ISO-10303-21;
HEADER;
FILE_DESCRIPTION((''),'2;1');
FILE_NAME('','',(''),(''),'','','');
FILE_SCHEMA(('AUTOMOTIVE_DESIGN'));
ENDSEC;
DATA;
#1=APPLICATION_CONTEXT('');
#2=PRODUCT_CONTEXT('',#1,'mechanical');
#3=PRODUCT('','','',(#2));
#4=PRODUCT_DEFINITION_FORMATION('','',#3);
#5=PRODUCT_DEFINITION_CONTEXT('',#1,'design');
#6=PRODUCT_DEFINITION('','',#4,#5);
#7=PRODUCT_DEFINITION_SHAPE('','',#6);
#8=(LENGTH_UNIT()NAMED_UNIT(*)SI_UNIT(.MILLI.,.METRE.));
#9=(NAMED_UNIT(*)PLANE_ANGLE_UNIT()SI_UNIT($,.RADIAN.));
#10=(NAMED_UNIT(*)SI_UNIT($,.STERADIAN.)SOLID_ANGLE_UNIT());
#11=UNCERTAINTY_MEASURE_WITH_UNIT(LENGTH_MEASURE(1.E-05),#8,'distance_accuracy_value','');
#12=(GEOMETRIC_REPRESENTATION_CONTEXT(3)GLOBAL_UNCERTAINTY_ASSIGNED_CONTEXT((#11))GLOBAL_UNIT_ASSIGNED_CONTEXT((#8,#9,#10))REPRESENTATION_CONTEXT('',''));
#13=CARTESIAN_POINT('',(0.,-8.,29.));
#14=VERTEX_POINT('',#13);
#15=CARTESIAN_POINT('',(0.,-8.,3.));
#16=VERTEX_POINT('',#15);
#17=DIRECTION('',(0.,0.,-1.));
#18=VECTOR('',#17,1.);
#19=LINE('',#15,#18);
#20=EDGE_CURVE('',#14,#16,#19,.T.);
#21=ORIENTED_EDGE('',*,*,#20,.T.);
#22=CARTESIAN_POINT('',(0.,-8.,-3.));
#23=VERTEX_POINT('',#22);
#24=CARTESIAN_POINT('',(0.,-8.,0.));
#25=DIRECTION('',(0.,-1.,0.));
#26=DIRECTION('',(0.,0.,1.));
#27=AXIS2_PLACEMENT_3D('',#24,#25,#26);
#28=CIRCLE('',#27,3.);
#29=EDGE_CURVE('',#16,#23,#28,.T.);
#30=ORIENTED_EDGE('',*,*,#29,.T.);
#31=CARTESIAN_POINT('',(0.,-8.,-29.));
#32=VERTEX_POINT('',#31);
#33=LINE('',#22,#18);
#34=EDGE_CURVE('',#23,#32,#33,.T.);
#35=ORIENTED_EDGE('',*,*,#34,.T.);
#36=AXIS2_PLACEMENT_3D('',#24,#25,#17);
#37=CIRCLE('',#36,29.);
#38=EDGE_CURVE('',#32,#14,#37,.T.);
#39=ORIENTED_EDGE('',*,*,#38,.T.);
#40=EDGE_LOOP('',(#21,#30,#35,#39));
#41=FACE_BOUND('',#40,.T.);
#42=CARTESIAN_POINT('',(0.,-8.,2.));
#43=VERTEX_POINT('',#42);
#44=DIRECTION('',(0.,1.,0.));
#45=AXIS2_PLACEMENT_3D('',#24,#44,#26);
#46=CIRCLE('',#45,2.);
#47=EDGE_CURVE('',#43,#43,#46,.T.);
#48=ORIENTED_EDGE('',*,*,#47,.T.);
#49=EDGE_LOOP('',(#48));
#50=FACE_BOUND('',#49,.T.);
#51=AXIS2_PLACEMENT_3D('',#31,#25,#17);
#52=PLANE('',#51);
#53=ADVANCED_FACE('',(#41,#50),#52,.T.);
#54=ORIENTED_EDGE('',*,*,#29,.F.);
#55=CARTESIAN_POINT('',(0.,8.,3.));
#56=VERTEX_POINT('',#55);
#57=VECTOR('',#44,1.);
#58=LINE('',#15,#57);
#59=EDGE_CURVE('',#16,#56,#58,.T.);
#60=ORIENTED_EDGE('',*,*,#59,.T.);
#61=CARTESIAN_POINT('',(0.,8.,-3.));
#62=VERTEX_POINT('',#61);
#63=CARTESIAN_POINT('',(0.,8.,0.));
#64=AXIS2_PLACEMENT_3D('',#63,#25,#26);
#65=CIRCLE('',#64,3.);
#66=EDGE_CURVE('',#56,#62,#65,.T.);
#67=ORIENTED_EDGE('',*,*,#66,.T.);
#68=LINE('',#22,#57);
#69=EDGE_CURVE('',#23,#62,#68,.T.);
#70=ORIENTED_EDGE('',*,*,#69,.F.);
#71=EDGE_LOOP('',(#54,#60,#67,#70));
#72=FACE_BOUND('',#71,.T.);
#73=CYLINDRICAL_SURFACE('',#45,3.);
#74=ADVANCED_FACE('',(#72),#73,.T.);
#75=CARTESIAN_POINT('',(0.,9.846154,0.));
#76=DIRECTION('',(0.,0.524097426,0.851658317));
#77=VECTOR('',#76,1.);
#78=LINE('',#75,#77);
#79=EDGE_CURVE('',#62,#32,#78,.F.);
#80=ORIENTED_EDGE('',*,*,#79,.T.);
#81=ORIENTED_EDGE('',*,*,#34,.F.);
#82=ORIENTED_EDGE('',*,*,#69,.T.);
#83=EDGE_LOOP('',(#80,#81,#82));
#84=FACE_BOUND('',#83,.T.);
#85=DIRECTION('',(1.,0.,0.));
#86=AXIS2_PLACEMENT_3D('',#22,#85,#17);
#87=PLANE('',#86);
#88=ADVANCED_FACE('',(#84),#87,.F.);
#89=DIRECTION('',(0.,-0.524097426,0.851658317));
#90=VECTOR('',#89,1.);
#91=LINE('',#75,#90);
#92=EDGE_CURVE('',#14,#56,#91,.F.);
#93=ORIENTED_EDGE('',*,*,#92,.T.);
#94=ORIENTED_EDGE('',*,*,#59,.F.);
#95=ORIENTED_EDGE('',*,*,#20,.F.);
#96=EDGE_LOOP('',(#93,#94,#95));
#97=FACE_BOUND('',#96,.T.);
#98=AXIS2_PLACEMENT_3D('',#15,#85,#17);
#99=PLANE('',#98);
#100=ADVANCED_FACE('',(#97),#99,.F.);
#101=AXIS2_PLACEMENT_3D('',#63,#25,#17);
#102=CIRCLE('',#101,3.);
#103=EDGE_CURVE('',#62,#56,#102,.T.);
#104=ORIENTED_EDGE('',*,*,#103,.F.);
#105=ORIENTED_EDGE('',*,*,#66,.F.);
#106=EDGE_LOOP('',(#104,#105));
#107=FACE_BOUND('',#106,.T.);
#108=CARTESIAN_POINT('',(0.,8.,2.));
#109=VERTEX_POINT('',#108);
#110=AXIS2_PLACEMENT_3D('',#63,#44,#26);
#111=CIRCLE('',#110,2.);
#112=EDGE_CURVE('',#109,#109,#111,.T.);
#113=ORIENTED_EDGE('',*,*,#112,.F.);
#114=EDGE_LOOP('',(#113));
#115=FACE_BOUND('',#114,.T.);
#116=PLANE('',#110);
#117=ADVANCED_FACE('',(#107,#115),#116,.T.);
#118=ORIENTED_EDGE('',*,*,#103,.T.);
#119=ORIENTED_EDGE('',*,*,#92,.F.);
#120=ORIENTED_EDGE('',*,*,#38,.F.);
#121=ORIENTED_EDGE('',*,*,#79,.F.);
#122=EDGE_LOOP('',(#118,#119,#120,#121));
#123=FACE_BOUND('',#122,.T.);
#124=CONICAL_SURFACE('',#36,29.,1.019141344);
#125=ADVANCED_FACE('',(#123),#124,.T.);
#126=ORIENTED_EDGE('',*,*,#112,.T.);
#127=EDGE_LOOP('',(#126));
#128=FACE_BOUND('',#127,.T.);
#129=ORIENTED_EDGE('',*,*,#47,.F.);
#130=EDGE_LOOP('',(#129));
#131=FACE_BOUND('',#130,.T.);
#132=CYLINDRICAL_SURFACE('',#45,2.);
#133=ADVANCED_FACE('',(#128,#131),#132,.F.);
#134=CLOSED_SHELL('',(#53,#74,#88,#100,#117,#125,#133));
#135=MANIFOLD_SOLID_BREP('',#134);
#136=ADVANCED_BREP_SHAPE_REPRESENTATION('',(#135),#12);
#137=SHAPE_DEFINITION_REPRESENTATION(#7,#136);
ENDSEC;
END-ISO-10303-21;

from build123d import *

# Parameters (mm, degrees)
CORTAR_EXTRUIR1_DEPTH = 45.022721406
CROQUIS4_R            = 2
CORTAR_EXTRUIR2_DEPTH = 45.022721406


with BuildPart() as part:
    # Croquis2 → Revolución1 (revolve)
    with BuildSketch(Plane(origin=(0, 0, 0), x_dir=(0, 0, -1), z_dir=(1, 0, 0))):
        Polygon((0, -8), (0, 8), (3, 8), (29, -8), align=None)
    revolve(axis=Axis((0, -8, 0), (0, 1, 0)))

    # Croquis3 → Cortar-Extruir1 (cut, through all)
    with BuildSketch(Plane(origin=(0, 8, 0), x_dir=(1, 0, 0), z_dir=(0, 1, 0))):
        with BuildLine():
            Line((0, 3), (0, 40.325375613))
            Line((0, 40.325375613), (-47.550667512, 40.325375613))
            Line((-47.550667512, 40.325375613), (-47.550667512, -39.963713052))
            Line((-47.550667512, -39.963713052), (0, -39.963713052))
            Line((0, -39.963713052), (0, -3))
            ThreePointArc((0, -3), (-3, 0), (0, 3))
        make_face()
    extrude(amount=-CORTAR_EXTRUIR1_DEPTH, mode=Mode.SUBTRACT)

    # Croquis4 → Cortar-Extruir2 (cut, through all)
    with BuildSketch(Plane(origin=(0, 8, 0), x_dir=(1, 0, 0), z_dir=(0, 1, 0))):
        with Locations(Location((0, 0, 0), (0, 0, 270))):
            Circle(CROQUIS4_R)
    extrude(amount=-CORTAR_EXTRUIR2_DEPTH, mode=Mode.SUBTRACT)


solid = part.part
